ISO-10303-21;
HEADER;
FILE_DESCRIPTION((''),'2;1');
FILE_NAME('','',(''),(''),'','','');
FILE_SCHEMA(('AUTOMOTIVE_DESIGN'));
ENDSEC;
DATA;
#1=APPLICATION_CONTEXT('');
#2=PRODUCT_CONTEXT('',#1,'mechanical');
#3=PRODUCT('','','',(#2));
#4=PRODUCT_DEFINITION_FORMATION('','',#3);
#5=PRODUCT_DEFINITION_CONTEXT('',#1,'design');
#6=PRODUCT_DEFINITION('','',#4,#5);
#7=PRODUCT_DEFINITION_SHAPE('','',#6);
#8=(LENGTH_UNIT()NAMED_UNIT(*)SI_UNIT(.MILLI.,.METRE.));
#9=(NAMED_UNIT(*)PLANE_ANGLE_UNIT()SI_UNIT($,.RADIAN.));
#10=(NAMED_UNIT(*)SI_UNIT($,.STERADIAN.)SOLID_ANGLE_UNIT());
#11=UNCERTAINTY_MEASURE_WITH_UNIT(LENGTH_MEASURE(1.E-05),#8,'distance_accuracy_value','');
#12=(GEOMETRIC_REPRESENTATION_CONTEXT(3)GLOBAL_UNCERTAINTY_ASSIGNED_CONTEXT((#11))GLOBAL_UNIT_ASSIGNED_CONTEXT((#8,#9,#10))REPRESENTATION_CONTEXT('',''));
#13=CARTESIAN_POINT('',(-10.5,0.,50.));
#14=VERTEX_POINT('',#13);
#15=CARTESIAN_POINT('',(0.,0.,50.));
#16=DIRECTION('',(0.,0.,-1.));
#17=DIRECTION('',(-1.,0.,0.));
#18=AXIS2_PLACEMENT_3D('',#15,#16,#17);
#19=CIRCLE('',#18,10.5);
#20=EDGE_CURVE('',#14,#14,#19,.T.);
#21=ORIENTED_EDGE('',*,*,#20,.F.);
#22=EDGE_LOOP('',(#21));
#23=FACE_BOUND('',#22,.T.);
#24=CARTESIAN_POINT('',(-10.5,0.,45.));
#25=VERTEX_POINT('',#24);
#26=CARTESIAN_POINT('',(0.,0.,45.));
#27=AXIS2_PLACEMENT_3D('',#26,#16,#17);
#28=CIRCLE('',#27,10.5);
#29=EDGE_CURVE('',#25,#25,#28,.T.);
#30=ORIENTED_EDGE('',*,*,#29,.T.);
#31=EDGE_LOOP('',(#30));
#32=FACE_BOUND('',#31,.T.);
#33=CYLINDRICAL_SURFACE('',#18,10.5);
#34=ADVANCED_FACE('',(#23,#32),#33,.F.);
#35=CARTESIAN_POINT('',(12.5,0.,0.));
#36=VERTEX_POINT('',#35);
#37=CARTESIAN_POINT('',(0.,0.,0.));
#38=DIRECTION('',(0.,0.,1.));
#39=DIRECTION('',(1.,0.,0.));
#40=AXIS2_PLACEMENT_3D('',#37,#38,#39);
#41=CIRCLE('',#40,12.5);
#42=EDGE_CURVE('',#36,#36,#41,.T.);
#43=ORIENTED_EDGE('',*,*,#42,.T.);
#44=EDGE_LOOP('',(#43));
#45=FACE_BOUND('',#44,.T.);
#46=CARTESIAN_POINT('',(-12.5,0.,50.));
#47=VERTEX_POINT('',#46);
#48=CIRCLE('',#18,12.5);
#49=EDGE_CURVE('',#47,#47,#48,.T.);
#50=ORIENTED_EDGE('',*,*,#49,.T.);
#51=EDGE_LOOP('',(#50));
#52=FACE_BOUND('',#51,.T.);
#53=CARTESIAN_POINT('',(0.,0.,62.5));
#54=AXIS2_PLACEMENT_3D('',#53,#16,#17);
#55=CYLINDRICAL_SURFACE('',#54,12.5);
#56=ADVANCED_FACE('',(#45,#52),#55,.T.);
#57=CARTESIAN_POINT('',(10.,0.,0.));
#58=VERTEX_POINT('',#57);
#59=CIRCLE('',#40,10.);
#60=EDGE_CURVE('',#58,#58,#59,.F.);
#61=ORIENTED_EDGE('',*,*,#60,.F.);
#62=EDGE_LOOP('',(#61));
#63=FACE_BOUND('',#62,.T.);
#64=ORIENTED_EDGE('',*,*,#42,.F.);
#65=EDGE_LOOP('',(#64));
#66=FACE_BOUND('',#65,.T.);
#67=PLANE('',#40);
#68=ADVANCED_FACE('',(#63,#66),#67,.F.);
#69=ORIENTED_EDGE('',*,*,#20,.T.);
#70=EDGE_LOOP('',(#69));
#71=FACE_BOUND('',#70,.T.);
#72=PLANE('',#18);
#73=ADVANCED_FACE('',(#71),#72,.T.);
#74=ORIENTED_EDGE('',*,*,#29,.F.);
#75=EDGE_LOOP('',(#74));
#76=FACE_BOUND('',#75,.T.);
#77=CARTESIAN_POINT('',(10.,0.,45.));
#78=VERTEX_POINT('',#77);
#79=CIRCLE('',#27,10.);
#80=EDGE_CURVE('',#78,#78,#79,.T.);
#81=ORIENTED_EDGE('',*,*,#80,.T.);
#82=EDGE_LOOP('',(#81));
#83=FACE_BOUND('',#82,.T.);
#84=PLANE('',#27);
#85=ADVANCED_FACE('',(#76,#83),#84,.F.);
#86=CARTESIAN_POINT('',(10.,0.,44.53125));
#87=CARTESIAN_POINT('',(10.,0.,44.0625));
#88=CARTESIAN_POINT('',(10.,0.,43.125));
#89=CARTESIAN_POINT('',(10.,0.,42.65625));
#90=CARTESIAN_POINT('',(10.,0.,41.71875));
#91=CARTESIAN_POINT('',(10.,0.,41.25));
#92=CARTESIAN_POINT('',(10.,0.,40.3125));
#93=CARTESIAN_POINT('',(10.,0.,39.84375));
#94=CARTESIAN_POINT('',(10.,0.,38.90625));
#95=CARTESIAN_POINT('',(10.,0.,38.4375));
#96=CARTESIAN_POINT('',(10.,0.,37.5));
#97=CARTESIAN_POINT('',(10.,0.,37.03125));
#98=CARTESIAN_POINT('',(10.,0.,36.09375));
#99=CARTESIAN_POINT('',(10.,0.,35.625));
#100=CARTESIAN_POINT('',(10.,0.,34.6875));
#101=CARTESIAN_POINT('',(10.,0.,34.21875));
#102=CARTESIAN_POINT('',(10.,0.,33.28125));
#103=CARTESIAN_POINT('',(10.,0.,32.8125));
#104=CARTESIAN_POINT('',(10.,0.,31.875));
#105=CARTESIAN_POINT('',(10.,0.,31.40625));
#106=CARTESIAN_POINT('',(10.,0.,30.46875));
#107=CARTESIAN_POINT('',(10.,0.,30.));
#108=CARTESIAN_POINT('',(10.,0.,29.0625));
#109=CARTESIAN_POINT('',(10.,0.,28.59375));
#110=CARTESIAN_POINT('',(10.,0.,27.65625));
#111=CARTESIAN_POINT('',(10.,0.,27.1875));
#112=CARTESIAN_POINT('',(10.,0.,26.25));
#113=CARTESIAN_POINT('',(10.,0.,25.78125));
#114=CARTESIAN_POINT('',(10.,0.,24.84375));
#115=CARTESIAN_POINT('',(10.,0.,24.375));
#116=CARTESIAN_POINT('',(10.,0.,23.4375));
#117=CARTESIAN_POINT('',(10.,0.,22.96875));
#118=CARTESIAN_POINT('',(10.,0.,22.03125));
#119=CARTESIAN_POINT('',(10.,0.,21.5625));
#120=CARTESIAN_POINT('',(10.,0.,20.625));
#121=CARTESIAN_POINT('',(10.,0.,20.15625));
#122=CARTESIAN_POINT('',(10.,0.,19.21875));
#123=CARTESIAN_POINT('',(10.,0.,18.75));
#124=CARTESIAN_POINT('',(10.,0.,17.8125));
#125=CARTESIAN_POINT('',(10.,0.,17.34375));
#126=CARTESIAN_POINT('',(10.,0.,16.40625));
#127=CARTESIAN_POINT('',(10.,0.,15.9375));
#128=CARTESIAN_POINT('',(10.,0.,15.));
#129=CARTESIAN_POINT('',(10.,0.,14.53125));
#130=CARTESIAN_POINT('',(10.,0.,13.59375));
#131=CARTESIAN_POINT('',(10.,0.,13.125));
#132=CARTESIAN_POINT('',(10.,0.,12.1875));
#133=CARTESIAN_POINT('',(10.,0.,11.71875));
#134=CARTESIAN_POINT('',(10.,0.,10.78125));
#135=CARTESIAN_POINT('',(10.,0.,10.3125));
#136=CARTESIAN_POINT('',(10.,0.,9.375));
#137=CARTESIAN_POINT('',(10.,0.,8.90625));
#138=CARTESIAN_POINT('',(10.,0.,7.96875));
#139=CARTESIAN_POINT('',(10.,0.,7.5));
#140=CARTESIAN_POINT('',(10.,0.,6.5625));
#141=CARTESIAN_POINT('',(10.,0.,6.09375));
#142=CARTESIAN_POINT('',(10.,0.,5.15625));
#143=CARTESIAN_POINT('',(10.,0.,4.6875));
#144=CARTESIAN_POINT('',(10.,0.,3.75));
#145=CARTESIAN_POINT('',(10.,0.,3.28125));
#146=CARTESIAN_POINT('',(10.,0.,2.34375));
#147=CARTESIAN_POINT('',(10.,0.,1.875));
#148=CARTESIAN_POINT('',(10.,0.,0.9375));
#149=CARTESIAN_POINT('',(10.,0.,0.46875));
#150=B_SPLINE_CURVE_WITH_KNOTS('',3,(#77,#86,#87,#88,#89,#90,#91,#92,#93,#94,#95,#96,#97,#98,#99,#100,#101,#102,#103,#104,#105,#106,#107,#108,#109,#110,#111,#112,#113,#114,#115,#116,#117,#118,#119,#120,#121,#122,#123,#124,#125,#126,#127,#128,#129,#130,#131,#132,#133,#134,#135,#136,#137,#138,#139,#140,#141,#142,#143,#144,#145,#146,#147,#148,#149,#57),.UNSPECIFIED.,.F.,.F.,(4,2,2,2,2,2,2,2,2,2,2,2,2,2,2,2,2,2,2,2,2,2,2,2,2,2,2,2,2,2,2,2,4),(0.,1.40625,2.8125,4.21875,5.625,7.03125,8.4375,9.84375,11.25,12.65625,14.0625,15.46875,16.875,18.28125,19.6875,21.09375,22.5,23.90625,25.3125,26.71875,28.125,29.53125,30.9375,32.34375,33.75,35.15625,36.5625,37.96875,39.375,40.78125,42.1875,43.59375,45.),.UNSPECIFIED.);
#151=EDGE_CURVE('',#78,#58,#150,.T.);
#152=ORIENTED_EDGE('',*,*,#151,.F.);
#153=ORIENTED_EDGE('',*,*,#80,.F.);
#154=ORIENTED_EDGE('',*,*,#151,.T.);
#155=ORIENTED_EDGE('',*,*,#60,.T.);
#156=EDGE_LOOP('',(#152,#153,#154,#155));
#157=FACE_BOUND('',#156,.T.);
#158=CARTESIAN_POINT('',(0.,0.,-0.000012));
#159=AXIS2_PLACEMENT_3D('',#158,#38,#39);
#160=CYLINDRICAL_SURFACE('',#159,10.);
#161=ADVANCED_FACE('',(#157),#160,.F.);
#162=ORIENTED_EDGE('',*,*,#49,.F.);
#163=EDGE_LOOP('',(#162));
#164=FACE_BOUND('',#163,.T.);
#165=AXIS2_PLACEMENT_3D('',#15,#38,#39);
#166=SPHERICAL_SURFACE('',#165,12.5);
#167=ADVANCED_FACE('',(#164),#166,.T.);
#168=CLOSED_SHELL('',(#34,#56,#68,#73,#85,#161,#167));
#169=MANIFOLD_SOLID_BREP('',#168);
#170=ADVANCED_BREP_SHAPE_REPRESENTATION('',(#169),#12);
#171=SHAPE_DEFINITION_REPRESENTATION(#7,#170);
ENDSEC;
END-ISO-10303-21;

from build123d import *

# Parameters (mm, degrees)
SKETCH_1_R               = 12.5
EXTRUDE_1_DEPTH          = 62.5
FILLET_1_R               = 12.5
CUT_EXTRUDE_1_DEPTH      = 65.951905284
CUT_EXTRUDE_1_DEPTH_BACK = 45
SKETCH_2_R               = 10
SKETCH_3_R               = 10.5
CUT_EXTRUDE_2_DEPTH      = 5


with BuildPart() as part:
    # 草图1 → 凸台-拉伸1 (new body)
    with BuildSketch(Plane.XY):
        Circle(SKETCH_1_R)
    extrude(amount=EXTRUDE_1_DEPTH)

    # 圆角1
    fillet_1_edges = [part.edges().sort_by_distance(p)[0] for p in [
        (-12.5, 0, 62.5),
    ]]
    fillet(fillet_1_edges, radius=FILLET_1_R)

    # 草图2 → 切除-拉伸1 (cut, two sides: drawn at the far end of the back side and taken through both)
    with BuildSketch(Plane(origin=(0, 0, 0), x_dir=(-1, 0, 0), z_dir=(0, 0, -1)).offset(-CUT_EXTRUDE_1_DEPTH_BACK)):
        with Locations(Location((0, 0, 0), (0, 0, 180))):
            Circle(SKETCH_2_R)
    extrude(amount=CUT_EXTRUDE_1_DEPTH + CUT_EXTRUDE_1_DEPTH_BACK, mode=Mode.SUBTRACT)

    # 草图3 → 切除-拉伸2 (cut)
    with BuildSketch(Plane(origin=(0, 0, 45), x_dir=(-1, 0, 0), z_dir=(0, 0, -1))):
        Circle(SKETCH_3_R)
    extrude(amount=-CUT_EXTRUDE_2_DEPTH, mode=Mode.SUBTRACT)


solid = part.part
